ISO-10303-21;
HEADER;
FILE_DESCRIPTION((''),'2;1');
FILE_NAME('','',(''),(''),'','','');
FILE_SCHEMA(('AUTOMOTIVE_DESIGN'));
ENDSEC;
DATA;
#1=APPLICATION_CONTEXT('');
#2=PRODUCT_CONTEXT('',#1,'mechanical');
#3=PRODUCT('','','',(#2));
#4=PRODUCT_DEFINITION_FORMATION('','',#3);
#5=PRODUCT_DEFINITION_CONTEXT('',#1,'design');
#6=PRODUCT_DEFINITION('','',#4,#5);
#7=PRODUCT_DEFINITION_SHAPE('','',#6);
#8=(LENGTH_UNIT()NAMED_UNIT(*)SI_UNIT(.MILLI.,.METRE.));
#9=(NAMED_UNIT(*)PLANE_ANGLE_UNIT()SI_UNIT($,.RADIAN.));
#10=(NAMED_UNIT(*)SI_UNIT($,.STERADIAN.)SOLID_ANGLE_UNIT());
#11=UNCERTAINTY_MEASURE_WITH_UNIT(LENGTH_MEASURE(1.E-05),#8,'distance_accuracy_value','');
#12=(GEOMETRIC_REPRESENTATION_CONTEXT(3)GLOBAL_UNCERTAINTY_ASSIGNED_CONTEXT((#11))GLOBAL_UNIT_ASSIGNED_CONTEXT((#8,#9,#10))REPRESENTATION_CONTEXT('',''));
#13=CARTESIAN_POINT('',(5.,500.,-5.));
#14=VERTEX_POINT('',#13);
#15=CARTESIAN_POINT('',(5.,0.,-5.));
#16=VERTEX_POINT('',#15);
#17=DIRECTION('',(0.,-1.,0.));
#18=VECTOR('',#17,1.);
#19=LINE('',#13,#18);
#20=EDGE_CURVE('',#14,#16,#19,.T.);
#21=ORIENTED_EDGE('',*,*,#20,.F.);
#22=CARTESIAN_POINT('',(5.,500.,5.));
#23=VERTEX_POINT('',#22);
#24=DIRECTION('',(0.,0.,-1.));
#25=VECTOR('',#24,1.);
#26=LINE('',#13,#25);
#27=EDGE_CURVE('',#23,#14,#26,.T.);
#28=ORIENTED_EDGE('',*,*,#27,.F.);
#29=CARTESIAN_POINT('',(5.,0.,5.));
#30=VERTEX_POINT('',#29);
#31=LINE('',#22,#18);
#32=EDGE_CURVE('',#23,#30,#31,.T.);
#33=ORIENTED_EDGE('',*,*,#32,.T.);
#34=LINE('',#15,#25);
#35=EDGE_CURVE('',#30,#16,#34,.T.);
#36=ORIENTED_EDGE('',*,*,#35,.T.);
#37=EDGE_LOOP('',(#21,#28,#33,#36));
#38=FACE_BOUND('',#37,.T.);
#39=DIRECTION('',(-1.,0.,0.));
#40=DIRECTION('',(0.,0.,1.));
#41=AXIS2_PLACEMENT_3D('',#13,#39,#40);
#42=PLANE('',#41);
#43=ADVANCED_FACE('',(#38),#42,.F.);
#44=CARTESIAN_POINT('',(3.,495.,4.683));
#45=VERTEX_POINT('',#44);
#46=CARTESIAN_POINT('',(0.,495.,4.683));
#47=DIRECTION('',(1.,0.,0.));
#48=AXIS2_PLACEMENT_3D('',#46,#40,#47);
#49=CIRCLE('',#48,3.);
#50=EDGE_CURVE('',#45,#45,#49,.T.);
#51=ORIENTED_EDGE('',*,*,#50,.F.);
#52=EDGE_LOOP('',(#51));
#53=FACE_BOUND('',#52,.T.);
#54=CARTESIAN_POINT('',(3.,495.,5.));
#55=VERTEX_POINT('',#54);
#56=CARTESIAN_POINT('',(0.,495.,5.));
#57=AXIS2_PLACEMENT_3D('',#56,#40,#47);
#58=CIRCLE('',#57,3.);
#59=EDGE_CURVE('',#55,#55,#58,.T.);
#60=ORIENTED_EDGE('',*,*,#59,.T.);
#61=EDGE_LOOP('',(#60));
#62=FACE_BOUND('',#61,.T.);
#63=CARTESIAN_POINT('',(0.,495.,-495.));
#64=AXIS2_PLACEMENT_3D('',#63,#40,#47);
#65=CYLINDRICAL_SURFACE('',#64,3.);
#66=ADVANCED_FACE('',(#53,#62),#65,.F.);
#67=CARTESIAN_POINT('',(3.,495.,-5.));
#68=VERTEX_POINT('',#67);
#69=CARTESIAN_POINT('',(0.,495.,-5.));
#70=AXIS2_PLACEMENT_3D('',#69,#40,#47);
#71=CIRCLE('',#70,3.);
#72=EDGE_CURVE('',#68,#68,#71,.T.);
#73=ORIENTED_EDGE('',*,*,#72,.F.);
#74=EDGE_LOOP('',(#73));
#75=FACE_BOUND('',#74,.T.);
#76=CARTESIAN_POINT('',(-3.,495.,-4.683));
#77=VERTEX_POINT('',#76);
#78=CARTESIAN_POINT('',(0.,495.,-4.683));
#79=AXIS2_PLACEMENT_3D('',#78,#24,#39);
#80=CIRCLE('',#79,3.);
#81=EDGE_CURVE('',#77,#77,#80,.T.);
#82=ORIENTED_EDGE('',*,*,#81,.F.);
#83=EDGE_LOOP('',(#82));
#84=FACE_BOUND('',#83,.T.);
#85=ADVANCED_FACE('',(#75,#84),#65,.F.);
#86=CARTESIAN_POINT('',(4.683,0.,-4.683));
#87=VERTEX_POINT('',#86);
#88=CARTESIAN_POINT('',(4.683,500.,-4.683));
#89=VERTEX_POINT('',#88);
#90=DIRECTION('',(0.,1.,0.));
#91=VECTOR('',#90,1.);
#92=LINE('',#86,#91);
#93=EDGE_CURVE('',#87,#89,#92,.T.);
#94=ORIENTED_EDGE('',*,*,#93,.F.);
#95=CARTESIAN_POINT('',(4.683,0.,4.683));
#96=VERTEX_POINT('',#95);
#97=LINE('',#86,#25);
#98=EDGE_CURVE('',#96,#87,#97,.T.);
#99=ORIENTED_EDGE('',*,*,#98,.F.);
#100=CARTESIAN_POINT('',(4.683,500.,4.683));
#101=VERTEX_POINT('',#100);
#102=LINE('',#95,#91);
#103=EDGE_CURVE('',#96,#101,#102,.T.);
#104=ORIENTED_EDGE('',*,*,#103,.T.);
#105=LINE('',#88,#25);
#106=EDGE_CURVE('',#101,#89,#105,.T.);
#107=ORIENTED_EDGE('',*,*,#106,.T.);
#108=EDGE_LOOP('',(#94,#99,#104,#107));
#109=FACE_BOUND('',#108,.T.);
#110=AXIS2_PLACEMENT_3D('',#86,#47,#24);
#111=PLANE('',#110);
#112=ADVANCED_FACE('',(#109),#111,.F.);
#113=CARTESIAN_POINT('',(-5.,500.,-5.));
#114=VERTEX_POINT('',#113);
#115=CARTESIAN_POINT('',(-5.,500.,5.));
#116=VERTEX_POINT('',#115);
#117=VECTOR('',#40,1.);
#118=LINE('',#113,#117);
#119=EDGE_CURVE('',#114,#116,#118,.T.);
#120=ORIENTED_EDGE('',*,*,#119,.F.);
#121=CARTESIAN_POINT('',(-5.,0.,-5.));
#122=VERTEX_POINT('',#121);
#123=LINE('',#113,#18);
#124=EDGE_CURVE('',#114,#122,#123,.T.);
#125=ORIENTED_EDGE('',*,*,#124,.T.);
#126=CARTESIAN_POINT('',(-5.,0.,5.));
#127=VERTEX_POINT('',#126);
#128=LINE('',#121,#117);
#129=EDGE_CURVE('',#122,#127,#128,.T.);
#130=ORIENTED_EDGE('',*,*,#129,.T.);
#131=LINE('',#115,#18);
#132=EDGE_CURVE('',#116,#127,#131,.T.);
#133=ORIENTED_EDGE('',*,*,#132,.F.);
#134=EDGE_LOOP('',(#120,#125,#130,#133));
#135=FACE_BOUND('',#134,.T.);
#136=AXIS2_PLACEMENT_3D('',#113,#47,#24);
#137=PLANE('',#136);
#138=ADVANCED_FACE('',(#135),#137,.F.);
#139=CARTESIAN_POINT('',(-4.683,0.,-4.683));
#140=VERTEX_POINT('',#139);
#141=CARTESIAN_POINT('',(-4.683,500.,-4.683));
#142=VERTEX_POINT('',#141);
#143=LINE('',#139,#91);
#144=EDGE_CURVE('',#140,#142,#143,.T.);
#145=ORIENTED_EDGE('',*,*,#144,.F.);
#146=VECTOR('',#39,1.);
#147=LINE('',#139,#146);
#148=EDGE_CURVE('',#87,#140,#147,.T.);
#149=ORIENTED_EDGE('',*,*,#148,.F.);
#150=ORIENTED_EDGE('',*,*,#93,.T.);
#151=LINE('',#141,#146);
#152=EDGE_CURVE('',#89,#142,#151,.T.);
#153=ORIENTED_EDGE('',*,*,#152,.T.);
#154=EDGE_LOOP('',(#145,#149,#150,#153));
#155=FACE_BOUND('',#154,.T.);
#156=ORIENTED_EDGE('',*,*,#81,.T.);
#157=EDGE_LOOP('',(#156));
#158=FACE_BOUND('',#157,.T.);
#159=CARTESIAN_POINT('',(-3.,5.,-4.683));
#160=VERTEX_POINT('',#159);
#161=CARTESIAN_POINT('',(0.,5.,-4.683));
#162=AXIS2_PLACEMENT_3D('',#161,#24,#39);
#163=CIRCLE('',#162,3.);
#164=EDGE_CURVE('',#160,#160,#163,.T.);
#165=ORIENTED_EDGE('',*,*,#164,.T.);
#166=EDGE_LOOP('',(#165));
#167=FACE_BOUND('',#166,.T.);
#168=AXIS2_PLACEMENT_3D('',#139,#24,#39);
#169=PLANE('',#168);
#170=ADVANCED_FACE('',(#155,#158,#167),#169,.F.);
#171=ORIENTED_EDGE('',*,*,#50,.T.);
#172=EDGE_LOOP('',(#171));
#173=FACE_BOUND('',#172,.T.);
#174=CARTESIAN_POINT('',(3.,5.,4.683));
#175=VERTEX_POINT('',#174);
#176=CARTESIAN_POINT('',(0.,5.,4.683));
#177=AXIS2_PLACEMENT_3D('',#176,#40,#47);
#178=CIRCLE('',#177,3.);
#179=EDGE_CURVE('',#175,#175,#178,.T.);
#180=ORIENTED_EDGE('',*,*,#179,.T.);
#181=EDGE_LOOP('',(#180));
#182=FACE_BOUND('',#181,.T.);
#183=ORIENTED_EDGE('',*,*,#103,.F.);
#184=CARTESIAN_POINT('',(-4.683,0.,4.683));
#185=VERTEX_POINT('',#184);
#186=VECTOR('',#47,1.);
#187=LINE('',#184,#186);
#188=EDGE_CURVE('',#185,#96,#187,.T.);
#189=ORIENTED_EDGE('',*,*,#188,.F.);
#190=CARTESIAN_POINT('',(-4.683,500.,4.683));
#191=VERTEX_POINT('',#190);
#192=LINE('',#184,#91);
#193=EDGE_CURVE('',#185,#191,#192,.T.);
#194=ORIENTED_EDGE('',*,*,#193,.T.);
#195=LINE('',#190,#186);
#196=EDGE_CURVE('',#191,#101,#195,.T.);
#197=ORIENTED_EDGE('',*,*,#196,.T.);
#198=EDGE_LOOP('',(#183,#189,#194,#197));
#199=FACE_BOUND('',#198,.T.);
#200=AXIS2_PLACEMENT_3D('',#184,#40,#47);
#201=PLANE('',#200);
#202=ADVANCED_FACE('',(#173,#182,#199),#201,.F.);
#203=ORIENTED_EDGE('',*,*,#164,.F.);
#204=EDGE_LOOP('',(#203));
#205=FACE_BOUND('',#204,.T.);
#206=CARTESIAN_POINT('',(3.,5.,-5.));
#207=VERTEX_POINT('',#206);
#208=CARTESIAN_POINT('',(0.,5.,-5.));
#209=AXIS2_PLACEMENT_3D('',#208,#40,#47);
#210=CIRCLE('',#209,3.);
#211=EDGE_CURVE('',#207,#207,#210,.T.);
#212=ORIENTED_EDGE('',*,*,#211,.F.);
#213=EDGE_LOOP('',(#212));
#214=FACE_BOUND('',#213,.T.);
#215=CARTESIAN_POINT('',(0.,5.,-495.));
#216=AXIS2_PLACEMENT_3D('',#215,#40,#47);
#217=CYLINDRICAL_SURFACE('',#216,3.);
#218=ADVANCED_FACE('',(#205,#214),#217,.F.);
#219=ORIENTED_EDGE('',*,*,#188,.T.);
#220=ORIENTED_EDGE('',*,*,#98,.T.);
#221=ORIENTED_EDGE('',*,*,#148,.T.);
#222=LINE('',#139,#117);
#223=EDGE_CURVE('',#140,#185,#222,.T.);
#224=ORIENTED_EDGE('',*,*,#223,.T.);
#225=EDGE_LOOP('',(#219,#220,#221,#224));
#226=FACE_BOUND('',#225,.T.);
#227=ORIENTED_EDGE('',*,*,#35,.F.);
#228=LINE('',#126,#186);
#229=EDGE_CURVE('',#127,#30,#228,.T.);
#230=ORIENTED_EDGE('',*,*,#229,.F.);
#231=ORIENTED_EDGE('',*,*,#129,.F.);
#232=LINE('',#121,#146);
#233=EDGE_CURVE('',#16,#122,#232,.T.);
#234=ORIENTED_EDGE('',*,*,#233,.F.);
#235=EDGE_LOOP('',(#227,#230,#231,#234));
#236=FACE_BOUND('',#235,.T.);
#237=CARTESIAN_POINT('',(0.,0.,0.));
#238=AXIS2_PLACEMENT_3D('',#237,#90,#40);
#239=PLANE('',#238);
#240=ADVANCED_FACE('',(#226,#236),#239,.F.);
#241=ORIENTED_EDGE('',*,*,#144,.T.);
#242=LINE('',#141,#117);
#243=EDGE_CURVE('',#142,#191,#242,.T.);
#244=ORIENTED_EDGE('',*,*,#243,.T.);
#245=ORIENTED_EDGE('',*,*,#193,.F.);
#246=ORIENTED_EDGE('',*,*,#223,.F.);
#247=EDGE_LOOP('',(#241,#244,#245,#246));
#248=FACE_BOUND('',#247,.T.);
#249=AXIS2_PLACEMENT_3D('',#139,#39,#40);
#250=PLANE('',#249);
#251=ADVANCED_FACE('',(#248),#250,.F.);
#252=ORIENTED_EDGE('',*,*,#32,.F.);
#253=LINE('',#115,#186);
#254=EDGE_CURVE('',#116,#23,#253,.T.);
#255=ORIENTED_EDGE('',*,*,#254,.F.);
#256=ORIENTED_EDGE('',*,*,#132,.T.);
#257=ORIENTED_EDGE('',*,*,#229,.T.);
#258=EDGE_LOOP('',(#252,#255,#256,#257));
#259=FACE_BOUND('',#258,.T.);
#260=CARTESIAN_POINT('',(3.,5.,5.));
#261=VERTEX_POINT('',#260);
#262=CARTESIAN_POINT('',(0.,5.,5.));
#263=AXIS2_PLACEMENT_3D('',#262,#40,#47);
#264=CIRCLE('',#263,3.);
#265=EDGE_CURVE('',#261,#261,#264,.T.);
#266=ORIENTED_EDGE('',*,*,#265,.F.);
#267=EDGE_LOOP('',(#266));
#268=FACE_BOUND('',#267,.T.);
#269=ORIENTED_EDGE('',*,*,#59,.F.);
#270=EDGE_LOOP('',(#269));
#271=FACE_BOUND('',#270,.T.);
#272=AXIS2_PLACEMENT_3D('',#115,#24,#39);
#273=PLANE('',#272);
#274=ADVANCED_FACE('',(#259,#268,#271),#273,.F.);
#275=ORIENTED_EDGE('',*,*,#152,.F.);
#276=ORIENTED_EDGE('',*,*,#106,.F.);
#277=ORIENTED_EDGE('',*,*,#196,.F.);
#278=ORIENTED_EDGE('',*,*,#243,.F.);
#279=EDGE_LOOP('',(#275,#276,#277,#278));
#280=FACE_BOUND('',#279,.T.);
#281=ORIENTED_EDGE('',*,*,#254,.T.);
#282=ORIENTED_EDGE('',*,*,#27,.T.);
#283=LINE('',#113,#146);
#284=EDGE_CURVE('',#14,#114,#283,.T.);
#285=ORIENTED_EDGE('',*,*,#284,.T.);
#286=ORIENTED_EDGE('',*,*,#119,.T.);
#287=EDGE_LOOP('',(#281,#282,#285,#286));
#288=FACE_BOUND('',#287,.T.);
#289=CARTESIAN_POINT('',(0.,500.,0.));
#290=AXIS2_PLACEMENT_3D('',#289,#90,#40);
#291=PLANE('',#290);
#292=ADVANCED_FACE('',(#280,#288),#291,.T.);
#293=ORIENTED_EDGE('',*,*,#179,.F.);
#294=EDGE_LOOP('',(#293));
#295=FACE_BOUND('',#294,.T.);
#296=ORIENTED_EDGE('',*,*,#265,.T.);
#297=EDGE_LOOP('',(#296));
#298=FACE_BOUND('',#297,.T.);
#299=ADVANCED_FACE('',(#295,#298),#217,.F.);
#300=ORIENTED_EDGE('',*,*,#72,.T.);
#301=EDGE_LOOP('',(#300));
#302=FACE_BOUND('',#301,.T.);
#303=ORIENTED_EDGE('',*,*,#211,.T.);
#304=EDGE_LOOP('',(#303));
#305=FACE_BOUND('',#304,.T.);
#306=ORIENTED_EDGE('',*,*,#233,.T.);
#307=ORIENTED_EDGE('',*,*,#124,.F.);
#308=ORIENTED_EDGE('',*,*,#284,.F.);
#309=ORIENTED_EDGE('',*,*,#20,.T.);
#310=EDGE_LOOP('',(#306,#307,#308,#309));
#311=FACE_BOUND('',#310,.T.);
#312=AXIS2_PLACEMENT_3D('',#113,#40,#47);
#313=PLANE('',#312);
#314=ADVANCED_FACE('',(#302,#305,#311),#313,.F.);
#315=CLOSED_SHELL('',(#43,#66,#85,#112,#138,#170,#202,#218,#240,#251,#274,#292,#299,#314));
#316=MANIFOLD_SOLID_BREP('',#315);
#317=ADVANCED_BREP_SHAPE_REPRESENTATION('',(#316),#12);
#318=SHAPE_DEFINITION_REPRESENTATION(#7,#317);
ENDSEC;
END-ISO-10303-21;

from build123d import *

# Parameters (mm, degrees)
CROQUIS1_W              = 10
CROQUIS1_H              = 10
SALIENTE_EXTRUIR1_DEPTH = 500
CROQUIS2_W              = 9.366
CROQUIS2_H              = 9.366
CORTAR_EXTRUIR1_DEPTH   = 500
CROQUIS3_R              = 3
CORTAR_EXTRUIR2_DEPTH   = 500
CROQUIS4_R              = 3
CORTAR_EXTRUIR3_DEPTH   = 500


with BuildPart() as part:
    # Croquis1 → Saliente-Extruir1 (new body)
    with BuildSketch(Plane(origin=(0, 0, 0), x_dir=(1, 0, 0), z_dir=(0, 1, 0))):
        Rectangle(CROQUIS1_W, CROQUIS1_H)
    extrude(amount=SALIENTE_EXTRUIR1_DEPTH)

    # Croquis2 → Cortar-Extruir1 (cut)
    with BuildSketch(Plane(origin=(0, 500, 0), x_dir=(1, 0, 0), z_dir=(0, 1, 0))):
        Rectangle(CROQUIS2_W, CROQUIS2_H)
    extrude(amount=-CORTAR_EXTRUIR1_DEPTH, mode=Mode.SUBTRACT)

    # Croquis3 → Cortar-Extruir2 (cut)
    with BuildSketch(Plane.XY.offset(5)):
        with Locations((0, 5)):
            Circle(CROQUIS3_R)
    extrude(amount=-CORTAR_EXTRUIR2_DEPTH, mode=Mode.SUBTRACT)

    # Croquis4 → Cortar-Extruir3 (cut)
    with BuildSketch(Plane.XY.offset(5)):
        with Locations((0, 495)):
            Circle(CROQUIS4_R)
    extrude(amount=-CORTAR_EXTRUIR3_DEPTH, mode=Mode.SUBTRACT)


solid = part.part
